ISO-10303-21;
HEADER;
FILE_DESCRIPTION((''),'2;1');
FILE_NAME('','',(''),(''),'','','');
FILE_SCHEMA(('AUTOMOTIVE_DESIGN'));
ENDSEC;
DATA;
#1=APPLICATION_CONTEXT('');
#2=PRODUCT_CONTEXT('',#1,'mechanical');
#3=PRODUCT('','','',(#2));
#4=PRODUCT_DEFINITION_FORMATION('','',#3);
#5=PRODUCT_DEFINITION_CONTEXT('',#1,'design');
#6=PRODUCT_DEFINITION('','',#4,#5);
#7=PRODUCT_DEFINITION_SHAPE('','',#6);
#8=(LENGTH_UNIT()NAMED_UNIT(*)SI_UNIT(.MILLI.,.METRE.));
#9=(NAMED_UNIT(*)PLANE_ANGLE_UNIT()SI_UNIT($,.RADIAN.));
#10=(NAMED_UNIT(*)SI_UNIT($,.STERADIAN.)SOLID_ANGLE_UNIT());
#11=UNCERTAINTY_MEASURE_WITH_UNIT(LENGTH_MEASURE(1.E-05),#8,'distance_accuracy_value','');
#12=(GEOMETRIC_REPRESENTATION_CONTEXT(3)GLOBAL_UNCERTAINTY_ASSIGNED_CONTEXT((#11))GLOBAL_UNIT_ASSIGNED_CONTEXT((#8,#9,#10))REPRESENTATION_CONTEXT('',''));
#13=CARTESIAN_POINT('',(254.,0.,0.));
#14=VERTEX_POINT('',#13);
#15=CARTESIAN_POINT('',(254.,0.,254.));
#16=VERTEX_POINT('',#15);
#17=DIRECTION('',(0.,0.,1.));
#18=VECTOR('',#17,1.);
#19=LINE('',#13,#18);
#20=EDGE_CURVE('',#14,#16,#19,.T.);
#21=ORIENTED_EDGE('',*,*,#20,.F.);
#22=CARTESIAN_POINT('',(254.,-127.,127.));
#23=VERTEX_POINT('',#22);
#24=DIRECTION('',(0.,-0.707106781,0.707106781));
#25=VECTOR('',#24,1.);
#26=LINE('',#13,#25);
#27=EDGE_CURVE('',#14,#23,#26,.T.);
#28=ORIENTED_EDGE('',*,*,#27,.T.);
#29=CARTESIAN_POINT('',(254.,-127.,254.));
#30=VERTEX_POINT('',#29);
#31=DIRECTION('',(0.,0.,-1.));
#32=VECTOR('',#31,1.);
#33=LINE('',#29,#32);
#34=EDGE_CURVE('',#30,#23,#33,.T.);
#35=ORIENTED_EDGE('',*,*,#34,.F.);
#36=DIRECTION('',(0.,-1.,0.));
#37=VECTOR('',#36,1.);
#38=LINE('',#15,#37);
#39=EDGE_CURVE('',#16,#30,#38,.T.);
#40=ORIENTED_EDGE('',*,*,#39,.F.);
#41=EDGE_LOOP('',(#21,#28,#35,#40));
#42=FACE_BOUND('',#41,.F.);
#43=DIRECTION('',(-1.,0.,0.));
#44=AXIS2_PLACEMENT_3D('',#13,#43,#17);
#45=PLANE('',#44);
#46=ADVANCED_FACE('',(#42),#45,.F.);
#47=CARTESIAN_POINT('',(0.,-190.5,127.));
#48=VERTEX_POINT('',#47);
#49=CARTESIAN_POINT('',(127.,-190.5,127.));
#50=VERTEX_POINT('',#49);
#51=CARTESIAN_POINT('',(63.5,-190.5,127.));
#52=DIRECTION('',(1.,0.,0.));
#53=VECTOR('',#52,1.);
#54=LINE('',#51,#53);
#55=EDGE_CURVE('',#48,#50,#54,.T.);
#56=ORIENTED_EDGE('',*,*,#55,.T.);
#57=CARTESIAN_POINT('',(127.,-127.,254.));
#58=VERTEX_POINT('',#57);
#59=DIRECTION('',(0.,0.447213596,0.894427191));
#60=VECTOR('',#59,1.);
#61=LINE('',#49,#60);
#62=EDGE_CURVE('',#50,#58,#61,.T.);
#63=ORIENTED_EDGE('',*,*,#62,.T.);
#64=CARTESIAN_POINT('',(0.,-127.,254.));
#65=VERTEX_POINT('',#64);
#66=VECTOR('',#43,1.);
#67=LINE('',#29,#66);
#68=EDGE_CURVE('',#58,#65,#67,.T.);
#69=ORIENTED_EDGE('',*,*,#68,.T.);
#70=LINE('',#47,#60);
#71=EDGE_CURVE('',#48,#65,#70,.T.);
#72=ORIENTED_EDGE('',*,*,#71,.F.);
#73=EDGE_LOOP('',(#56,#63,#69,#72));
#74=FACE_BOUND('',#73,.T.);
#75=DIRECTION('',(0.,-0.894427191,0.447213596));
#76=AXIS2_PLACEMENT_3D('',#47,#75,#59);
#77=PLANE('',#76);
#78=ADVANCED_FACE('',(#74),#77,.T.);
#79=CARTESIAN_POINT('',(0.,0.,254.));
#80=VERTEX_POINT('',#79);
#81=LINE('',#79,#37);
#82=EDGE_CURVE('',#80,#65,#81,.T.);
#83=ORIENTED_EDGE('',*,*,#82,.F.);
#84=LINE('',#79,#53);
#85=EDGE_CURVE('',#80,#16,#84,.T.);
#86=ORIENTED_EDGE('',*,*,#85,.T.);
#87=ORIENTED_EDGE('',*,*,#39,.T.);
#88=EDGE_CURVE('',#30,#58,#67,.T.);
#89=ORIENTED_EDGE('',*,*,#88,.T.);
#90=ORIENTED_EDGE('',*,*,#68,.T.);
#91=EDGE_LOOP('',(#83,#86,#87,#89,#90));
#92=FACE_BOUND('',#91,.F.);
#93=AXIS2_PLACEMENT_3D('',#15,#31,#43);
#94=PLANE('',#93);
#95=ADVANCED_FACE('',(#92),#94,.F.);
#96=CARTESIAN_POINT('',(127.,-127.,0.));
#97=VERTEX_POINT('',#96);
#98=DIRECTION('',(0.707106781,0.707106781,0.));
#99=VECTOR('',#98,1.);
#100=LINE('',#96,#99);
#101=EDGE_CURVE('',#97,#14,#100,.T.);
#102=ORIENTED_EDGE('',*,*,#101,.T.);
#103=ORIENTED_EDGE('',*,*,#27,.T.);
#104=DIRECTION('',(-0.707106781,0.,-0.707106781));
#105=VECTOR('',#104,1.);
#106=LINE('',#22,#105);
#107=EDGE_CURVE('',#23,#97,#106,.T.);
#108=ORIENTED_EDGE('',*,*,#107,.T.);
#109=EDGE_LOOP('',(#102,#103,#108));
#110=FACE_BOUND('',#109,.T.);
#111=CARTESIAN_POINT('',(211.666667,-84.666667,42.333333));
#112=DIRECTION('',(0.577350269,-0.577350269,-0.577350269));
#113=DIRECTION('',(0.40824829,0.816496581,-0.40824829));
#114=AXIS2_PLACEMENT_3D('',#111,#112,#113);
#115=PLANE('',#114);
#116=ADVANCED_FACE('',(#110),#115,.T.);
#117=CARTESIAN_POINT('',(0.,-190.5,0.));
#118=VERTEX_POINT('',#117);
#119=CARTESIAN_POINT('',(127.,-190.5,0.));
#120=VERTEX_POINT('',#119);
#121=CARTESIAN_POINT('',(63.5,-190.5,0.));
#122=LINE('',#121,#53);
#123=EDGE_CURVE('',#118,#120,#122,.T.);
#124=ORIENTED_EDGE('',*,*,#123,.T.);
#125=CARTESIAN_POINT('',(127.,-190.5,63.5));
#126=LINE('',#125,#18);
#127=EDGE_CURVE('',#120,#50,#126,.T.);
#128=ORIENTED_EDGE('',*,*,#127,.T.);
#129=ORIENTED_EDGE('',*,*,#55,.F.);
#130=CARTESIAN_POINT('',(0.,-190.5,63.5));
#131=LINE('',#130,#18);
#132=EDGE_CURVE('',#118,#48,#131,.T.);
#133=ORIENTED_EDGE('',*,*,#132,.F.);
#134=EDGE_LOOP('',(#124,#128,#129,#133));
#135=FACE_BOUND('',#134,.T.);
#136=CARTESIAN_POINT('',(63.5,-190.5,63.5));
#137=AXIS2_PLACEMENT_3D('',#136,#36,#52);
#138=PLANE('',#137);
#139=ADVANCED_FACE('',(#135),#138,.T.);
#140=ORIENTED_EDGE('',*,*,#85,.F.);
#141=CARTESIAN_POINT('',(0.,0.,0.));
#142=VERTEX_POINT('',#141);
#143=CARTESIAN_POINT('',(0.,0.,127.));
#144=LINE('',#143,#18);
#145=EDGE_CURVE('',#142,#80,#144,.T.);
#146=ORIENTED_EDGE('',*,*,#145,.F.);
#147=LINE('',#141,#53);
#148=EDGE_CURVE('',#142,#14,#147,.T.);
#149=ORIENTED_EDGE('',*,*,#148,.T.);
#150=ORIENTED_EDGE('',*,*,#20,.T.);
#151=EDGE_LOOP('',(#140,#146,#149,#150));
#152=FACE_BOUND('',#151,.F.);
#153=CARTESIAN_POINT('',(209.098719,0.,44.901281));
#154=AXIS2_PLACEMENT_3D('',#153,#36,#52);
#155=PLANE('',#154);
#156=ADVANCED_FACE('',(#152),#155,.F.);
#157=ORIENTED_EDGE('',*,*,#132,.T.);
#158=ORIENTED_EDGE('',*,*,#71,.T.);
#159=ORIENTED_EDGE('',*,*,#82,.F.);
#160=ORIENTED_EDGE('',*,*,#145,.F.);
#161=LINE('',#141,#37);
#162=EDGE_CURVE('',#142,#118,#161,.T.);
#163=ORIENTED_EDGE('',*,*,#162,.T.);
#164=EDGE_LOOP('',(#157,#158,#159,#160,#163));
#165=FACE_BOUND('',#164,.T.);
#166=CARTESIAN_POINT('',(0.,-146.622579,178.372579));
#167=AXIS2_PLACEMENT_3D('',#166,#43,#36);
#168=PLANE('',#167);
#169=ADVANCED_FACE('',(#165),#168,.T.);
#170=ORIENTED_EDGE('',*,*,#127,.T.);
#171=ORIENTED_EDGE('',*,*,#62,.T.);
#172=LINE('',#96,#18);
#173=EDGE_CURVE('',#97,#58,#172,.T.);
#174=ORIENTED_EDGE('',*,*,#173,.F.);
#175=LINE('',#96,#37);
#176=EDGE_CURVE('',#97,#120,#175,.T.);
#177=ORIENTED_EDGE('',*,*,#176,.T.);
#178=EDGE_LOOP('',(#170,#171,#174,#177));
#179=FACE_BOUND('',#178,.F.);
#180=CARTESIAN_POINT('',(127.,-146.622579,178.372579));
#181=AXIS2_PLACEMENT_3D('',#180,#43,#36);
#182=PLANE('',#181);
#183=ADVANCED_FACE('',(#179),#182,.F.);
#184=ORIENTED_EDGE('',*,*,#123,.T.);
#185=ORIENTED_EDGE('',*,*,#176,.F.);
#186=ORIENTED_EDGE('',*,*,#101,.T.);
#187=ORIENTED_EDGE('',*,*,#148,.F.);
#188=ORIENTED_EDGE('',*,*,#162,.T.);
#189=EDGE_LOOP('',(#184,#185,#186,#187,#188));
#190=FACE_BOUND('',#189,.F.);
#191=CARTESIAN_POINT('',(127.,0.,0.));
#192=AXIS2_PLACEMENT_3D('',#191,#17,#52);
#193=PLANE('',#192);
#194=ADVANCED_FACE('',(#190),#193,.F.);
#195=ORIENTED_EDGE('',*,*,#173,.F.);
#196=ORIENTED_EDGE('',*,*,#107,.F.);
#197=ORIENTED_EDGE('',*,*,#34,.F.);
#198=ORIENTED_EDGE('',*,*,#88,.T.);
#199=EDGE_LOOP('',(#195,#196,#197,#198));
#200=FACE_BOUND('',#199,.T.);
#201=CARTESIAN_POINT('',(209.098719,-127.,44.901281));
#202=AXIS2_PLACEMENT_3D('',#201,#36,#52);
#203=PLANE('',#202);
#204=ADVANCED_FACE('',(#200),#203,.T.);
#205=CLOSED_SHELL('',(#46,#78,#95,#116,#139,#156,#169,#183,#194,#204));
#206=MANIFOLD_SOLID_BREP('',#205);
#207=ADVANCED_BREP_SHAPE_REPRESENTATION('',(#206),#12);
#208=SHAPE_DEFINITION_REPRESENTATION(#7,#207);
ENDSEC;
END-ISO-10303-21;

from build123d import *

# Parameters (mm, degrees)
F0_W      = 127
F0_H      = 254
F1_DEPTH  = 127
F2_DEPTH  = 127
F3_W      = 127
F3_H      = 127
F4_DEPTH  = 63.5
F6_DEPTH  = 127
F7_DEPTH  = 127
F11_DEPTH = 172.212


with BuildPart() as f1:
    # F0 (on Front) → F1 (new body)
    with BuildSketch(Plane.XZ):
        with Locations((63.5, 127)):
            Rectangle(F0_W, F0_H)
    extrude(amount=F1_DEPTH)

    # F0 (on Front) → F2 (join)
    with BuildSketch(Plane.XZ):
        Polygon((127, 254), (127, 0), (254, 127), (254, 254), align=None)
    extrude(amount=F2_DEPTH)

    # F3 (on face) → F4 (join)
    with BuildSketch(Plane.XZ.offset(127)):
        with Locations((63.5, 63.5)):
            Rectangle(F3_W, F3_H)
    extrude(amount=F4_DEPTH)

    # F5 (on face) → F6 (join)
    with BuildSketch(Plane(origin=(0, 0, 0), x_dir=(0, -1, 0), z_dir=(-1, 0, 0))):
        Polygon((127, 127), (190.5, 127), (127, 254), align=None)
    extrude(amount=-F6_DEPTH)

    # F0 (on Front) → F7 (join)
    with BuildSketch(Plane.XZ):
        Polygon((254, 127), (127, 0), (254, 0), align=None)
    extrude(amount=F7_DEPTH)

    # F10 (on 3pt) → F11 (cut)
    with BuildSketch(Plane(origin=(84.6666666667, -84.6666666667, -84.6666666667), x_dir=(0.4082482905, 0.8164965809, -0.4082482905), z_dir=(0.5773502692, -0.5773502692, -0.5773502692))):
        Polygon((103.6950657778, 179.6051224214), (-51.8475328889, 269.4076836321), (-51.8475328889, 89.8025612107), align=None)
    extrude(amount=F11_DEPTH, mode=Mode.SUBTRACT)


solid = f1.part
